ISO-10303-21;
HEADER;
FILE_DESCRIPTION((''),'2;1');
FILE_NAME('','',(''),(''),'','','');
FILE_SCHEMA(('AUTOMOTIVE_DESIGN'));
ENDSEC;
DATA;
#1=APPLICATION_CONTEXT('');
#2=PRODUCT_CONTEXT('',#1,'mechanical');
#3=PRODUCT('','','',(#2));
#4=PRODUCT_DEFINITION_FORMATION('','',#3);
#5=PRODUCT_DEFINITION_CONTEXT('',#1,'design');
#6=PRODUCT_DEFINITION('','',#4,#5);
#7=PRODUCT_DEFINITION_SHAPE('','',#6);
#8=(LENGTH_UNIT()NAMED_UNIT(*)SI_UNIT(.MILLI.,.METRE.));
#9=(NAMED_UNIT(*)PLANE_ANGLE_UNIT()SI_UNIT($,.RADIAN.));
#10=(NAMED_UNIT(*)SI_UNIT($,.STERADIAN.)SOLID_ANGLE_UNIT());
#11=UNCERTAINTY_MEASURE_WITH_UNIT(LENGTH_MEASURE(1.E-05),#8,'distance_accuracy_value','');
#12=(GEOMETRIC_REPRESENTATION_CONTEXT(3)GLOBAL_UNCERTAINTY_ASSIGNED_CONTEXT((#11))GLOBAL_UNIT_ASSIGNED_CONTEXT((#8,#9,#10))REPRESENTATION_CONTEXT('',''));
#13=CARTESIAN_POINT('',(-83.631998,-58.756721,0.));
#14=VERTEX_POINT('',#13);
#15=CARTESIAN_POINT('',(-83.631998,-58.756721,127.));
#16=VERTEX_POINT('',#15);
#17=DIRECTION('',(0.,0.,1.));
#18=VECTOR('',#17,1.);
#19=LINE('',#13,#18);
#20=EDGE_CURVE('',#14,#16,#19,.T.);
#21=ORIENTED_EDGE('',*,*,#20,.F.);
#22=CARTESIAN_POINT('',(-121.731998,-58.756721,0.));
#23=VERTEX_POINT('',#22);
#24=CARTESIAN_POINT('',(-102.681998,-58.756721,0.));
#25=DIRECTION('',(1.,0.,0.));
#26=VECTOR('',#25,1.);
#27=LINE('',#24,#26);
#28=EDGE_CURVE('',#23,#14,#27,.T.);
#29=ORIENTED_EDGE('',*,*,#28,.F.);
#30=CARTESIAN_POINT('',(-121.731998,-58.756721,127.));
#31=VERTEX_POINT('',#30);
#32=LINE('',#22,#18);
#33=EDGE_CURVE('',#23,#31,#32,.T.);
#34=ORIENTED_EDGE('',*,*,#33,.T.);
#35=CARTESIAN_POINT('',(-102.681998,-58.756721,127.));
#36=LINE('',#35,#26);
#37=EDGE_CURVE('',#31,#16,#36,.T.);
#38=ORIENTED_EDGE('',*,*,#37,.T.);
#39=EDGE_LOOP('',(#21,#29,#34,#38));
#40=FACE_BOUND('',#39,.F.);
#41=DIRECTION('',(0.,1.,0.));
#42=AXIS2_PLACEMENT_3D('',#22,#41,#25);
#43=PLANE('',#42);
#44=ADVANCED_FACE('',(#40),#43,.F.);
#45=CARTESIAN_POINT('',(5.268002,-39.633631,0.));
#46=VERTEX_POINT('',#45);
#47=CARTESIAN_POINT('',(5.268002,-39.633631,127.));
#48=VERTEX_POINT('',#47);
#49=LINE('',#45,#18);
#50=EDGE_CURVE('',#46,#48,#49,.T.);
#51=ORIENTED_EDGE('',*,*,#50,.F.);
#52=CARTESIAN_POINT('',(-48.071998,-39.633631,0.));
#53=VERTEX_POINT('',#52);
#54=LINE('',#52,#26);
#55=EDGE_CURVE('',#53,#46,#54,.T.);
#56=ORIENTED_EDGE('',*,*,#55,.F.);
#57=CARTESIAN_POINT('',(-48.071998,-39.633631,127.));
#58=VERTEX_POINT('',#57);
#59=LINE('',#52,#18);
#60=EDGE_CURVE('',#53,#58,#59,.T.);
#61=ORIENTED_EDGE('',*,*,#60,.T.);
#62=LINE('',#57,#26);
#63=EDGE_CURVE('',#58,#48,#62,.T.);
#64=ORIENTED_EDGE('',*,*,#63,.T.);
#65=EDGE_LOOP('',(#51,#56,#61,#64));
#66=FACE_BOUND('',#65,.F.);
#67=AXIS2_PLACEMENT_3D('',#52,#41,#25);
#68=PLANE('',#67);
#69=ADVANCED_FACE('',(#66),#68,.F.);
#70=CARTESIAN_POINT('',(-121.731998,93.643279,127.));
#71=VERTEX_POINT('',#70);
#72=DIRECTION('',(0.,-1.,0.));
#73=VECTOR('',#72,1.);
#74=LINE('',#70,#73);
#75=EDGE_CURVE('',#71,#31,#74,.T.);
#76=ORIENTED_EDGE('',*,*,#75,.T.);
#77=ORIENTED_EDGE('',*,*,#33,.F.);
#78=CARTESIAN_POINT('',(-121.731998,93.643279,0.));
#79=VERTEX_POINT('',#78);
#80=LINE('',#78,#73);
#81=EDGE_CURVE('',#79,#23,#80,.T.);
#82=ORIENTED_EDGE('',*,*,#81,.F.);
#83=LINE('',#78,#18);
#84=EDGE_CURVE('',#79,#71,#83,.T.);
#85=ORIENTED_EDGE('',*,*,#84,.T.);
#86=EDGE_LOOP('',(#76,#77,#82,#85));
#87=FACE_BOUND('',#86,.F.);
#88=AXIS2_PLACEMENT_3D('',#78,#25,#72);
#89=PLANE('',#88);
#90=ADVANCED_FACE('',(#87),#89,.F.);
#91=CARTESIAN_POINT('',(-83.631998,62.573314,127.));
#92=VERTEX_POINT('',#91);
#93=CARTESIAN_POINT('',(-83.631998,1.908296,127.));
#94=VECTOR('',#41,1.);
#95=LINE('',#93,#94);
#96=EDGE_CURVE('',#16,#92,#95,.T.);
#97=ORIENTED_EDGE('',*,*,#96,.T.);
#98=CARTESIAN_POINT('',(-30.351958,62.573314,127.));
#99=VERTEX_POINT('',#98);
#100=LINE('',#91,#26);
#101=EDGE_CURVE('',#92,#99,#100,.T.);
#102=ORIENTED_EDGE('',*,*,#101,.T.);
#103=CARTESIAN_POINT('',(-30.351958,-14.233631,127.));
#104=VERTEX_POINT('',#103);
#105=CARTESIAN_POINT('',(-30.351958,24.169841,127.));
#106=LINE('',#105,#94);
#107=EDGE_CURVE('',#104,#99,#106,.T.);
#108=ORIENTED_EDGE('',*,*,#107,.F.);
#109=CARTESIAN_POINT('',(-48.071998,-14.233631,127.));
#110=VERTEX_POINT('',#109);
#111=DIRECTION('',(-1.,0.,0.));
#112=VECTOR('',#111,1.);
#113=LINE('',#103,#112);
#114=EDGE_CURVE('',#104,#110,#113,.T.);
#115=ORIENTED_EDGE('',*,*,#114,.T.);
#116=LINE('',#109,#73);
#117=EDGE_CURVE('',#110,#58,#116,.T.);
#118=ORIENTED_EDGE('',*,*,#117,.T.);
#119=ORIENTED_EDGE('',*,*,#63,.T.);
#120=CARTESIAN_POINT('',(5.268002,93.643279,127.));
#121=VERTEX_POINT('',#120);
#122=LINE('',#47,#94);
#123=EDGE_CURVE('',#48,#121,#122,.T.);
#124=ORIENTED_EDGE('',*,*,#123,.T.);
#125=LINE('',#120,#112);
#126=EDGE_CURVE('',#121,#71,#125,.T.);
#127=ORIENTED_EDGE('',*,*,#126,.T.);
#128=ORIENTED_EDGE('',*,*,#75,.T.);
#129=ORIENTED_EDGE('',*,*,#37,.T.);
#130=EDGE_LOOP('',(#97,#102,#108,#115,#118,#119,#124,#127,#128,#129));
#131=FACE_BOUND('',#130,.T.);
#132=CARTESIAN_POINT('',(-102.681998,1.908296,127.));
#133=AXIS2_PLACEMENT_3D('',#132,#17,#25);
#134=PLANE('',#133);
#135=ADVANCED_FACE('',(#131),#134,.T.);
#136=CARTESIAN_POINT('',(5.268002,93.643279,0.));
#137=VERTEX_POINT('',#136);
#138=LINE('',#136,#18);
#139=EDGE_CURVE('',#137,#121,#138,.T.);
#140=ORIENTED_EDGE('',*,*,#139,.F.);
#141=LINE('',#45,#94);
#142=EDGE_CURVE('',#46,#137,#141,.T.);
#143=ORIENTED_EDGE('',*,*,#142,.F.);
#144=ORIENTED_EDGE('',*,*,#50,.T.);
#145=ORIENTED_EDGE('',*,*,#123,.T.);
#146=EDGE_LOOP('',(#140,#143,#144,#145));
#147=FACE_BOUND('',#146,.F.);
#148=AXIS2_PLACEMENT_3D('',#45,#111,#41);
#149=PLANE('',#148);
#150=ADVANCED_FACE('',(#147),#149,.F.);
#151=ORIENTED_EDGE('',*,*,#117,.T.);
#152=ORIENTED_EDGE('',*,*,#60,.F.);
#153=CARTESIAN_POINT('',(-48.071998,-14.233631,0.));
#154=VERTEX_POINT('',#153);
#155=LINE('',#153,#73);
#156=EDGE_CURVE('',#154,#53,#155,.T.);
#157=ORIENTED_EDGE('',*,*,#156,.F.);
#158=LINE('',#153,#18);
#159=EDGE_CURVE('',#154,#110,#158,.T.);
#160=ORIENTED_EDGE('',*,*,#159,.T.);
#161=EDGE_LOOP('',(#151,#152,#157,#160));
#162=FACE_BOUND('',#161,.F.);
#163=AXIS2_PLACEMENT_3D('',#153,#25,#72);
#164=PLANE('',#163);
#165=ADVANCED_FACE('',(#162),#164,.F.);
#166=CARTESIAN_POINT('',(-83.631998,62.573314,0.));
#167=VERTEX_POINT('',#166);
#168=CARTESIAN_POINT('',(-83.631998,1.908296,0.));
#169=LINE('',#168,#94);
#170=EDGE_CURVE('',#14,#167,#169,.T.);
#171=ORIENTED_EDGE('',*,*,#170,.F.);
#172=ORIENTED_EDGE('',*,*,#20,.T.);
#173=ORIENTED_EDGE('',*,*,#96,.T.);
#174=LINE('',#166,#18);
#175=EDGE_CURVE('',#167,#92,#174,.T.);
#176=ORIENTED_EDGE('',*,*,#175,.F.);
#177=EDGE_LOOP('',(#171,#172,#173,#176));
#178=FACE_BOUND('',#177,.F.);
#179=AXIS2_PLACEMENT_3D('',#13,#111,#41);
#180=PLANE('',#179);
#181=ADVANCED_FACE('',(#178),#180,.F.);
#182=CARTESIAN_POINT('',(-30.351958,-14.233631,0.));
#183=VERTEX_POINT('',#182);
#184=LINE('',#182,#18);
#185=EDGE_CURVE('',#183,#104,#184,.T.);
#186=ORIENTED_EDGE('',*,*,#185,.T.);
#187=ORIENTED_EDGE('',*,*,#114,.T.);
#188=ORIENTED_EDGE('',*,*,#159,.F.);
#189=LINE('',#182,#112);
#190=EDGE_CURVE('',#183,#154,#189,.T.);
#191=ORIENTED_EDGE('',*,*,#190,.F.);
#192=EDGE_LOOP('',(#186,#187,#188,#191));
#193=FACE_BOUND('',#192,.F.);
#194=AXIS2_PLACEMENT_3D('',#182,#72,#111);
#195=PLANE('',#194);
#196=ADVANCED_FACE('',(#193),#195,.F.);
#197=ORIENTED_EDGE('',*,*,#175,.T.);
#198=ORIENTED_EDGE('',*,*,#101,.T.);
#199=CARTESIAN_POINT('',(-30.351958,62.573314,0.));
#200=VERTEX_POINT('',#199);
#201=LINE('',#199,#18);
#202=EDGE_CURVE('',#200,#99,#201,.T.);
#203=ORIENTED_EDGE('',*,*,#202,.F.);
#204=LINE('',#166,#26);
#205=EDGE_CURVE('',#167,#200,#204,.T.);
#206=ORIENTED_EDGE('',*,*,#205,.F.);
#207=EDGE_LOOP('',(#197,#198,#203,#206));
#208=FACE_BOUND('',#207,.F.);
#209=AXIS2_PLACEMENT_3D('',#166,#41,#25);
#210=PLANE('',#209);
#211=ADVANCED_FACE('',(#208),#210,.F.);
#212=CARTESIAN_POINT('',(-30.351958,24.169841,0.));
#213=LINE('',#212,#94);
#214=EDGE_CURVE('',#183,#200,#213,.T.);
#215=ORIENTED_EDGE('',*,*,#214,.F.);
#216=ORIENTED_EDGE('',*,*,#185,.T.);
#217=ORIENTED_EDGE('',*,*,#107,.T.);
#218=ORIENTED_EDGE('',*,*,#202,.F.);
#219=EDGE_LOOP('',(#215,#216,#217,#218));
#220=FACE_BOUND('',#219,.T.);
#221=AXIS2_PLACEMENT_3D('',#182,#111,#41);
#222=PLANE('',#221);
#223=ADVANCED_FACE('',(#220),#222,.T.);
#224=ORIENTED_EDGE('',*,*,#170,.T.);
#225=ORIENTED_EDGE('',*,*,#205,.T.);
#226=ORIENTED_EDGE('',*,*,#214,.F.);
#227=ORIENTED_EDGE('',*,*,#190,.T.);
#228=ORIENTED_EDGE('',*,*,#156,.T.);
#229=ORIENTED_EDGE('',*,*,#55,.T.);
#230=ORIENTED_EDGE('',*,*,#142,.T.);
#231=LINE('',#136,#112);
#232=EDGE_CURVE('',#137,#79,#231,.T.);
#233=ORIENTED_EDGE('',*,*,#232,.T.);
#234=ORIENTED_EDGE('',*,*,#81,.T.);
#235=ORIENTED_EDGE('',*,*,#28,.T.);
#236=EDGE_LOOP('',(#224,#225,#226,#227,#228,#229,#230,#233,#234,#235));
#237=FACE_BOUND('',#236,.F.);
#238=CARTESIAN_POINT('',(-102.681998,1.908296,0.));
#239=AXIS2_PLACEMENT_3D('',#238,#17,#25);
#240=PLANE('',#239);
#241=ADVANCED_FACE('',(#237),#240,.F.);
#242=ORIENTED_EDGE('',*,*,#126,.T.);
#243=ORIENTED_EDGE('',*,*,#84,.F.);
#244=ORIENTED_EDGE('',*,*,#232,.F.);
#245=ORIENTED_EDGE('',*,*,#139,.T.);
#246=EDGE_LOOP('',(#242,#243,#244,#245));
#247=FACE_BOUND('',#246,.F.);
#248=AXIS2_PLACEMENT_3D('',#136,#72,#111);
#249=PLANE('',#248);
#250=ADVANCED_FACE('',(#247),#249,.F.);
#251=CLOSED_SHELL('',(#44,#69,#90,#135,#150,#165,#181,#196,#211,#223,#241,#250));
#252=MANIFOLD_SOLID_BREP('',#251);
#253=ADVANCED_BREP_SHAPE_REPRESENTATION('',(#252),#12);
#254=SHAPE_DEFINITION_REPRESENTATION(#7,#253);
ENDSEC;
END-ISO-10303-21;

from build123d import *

# Parameters (mm, degrees)
F0_W     = 38.1
F0_H     = 121.3300344632
F0_W_2   = 35.6199596207
F0_H_2   = 76.8069449736
F1_DEPTH = 127


with BuildPart() as f1:
    # F0 (on Top) → F1 (new body)
    with BuildSketch(Plane.XY):
        with Locations((-102.681998235, 1.9082963139)):
            Rectangle(F0_W, F0_H)
        Polygon((-83.631998235, 62.5733135455), (-30.3519578557, 62.5733135455), (5.268001765, 62.5733135455), (5.268001765, 93.6432790823), (-121.731998235, 93.6432790823), (-121.731998235, 62.5733135455), align=None)
        with Locations((-12.5419780454, 24.1698410587)):
            Rectangle(F0_W_2, F0_H_2)
        Polygon((5.268001765, -14.2336314282), (-30.3519578557, -14.2336314282), (-48.071998235, -14.2336314282), (-48.071998235, -39.6336314282), (5.268001765, -39.6336314282), align=None)
    extrude(amount=F1_DEPTH)


solid = f1.part
